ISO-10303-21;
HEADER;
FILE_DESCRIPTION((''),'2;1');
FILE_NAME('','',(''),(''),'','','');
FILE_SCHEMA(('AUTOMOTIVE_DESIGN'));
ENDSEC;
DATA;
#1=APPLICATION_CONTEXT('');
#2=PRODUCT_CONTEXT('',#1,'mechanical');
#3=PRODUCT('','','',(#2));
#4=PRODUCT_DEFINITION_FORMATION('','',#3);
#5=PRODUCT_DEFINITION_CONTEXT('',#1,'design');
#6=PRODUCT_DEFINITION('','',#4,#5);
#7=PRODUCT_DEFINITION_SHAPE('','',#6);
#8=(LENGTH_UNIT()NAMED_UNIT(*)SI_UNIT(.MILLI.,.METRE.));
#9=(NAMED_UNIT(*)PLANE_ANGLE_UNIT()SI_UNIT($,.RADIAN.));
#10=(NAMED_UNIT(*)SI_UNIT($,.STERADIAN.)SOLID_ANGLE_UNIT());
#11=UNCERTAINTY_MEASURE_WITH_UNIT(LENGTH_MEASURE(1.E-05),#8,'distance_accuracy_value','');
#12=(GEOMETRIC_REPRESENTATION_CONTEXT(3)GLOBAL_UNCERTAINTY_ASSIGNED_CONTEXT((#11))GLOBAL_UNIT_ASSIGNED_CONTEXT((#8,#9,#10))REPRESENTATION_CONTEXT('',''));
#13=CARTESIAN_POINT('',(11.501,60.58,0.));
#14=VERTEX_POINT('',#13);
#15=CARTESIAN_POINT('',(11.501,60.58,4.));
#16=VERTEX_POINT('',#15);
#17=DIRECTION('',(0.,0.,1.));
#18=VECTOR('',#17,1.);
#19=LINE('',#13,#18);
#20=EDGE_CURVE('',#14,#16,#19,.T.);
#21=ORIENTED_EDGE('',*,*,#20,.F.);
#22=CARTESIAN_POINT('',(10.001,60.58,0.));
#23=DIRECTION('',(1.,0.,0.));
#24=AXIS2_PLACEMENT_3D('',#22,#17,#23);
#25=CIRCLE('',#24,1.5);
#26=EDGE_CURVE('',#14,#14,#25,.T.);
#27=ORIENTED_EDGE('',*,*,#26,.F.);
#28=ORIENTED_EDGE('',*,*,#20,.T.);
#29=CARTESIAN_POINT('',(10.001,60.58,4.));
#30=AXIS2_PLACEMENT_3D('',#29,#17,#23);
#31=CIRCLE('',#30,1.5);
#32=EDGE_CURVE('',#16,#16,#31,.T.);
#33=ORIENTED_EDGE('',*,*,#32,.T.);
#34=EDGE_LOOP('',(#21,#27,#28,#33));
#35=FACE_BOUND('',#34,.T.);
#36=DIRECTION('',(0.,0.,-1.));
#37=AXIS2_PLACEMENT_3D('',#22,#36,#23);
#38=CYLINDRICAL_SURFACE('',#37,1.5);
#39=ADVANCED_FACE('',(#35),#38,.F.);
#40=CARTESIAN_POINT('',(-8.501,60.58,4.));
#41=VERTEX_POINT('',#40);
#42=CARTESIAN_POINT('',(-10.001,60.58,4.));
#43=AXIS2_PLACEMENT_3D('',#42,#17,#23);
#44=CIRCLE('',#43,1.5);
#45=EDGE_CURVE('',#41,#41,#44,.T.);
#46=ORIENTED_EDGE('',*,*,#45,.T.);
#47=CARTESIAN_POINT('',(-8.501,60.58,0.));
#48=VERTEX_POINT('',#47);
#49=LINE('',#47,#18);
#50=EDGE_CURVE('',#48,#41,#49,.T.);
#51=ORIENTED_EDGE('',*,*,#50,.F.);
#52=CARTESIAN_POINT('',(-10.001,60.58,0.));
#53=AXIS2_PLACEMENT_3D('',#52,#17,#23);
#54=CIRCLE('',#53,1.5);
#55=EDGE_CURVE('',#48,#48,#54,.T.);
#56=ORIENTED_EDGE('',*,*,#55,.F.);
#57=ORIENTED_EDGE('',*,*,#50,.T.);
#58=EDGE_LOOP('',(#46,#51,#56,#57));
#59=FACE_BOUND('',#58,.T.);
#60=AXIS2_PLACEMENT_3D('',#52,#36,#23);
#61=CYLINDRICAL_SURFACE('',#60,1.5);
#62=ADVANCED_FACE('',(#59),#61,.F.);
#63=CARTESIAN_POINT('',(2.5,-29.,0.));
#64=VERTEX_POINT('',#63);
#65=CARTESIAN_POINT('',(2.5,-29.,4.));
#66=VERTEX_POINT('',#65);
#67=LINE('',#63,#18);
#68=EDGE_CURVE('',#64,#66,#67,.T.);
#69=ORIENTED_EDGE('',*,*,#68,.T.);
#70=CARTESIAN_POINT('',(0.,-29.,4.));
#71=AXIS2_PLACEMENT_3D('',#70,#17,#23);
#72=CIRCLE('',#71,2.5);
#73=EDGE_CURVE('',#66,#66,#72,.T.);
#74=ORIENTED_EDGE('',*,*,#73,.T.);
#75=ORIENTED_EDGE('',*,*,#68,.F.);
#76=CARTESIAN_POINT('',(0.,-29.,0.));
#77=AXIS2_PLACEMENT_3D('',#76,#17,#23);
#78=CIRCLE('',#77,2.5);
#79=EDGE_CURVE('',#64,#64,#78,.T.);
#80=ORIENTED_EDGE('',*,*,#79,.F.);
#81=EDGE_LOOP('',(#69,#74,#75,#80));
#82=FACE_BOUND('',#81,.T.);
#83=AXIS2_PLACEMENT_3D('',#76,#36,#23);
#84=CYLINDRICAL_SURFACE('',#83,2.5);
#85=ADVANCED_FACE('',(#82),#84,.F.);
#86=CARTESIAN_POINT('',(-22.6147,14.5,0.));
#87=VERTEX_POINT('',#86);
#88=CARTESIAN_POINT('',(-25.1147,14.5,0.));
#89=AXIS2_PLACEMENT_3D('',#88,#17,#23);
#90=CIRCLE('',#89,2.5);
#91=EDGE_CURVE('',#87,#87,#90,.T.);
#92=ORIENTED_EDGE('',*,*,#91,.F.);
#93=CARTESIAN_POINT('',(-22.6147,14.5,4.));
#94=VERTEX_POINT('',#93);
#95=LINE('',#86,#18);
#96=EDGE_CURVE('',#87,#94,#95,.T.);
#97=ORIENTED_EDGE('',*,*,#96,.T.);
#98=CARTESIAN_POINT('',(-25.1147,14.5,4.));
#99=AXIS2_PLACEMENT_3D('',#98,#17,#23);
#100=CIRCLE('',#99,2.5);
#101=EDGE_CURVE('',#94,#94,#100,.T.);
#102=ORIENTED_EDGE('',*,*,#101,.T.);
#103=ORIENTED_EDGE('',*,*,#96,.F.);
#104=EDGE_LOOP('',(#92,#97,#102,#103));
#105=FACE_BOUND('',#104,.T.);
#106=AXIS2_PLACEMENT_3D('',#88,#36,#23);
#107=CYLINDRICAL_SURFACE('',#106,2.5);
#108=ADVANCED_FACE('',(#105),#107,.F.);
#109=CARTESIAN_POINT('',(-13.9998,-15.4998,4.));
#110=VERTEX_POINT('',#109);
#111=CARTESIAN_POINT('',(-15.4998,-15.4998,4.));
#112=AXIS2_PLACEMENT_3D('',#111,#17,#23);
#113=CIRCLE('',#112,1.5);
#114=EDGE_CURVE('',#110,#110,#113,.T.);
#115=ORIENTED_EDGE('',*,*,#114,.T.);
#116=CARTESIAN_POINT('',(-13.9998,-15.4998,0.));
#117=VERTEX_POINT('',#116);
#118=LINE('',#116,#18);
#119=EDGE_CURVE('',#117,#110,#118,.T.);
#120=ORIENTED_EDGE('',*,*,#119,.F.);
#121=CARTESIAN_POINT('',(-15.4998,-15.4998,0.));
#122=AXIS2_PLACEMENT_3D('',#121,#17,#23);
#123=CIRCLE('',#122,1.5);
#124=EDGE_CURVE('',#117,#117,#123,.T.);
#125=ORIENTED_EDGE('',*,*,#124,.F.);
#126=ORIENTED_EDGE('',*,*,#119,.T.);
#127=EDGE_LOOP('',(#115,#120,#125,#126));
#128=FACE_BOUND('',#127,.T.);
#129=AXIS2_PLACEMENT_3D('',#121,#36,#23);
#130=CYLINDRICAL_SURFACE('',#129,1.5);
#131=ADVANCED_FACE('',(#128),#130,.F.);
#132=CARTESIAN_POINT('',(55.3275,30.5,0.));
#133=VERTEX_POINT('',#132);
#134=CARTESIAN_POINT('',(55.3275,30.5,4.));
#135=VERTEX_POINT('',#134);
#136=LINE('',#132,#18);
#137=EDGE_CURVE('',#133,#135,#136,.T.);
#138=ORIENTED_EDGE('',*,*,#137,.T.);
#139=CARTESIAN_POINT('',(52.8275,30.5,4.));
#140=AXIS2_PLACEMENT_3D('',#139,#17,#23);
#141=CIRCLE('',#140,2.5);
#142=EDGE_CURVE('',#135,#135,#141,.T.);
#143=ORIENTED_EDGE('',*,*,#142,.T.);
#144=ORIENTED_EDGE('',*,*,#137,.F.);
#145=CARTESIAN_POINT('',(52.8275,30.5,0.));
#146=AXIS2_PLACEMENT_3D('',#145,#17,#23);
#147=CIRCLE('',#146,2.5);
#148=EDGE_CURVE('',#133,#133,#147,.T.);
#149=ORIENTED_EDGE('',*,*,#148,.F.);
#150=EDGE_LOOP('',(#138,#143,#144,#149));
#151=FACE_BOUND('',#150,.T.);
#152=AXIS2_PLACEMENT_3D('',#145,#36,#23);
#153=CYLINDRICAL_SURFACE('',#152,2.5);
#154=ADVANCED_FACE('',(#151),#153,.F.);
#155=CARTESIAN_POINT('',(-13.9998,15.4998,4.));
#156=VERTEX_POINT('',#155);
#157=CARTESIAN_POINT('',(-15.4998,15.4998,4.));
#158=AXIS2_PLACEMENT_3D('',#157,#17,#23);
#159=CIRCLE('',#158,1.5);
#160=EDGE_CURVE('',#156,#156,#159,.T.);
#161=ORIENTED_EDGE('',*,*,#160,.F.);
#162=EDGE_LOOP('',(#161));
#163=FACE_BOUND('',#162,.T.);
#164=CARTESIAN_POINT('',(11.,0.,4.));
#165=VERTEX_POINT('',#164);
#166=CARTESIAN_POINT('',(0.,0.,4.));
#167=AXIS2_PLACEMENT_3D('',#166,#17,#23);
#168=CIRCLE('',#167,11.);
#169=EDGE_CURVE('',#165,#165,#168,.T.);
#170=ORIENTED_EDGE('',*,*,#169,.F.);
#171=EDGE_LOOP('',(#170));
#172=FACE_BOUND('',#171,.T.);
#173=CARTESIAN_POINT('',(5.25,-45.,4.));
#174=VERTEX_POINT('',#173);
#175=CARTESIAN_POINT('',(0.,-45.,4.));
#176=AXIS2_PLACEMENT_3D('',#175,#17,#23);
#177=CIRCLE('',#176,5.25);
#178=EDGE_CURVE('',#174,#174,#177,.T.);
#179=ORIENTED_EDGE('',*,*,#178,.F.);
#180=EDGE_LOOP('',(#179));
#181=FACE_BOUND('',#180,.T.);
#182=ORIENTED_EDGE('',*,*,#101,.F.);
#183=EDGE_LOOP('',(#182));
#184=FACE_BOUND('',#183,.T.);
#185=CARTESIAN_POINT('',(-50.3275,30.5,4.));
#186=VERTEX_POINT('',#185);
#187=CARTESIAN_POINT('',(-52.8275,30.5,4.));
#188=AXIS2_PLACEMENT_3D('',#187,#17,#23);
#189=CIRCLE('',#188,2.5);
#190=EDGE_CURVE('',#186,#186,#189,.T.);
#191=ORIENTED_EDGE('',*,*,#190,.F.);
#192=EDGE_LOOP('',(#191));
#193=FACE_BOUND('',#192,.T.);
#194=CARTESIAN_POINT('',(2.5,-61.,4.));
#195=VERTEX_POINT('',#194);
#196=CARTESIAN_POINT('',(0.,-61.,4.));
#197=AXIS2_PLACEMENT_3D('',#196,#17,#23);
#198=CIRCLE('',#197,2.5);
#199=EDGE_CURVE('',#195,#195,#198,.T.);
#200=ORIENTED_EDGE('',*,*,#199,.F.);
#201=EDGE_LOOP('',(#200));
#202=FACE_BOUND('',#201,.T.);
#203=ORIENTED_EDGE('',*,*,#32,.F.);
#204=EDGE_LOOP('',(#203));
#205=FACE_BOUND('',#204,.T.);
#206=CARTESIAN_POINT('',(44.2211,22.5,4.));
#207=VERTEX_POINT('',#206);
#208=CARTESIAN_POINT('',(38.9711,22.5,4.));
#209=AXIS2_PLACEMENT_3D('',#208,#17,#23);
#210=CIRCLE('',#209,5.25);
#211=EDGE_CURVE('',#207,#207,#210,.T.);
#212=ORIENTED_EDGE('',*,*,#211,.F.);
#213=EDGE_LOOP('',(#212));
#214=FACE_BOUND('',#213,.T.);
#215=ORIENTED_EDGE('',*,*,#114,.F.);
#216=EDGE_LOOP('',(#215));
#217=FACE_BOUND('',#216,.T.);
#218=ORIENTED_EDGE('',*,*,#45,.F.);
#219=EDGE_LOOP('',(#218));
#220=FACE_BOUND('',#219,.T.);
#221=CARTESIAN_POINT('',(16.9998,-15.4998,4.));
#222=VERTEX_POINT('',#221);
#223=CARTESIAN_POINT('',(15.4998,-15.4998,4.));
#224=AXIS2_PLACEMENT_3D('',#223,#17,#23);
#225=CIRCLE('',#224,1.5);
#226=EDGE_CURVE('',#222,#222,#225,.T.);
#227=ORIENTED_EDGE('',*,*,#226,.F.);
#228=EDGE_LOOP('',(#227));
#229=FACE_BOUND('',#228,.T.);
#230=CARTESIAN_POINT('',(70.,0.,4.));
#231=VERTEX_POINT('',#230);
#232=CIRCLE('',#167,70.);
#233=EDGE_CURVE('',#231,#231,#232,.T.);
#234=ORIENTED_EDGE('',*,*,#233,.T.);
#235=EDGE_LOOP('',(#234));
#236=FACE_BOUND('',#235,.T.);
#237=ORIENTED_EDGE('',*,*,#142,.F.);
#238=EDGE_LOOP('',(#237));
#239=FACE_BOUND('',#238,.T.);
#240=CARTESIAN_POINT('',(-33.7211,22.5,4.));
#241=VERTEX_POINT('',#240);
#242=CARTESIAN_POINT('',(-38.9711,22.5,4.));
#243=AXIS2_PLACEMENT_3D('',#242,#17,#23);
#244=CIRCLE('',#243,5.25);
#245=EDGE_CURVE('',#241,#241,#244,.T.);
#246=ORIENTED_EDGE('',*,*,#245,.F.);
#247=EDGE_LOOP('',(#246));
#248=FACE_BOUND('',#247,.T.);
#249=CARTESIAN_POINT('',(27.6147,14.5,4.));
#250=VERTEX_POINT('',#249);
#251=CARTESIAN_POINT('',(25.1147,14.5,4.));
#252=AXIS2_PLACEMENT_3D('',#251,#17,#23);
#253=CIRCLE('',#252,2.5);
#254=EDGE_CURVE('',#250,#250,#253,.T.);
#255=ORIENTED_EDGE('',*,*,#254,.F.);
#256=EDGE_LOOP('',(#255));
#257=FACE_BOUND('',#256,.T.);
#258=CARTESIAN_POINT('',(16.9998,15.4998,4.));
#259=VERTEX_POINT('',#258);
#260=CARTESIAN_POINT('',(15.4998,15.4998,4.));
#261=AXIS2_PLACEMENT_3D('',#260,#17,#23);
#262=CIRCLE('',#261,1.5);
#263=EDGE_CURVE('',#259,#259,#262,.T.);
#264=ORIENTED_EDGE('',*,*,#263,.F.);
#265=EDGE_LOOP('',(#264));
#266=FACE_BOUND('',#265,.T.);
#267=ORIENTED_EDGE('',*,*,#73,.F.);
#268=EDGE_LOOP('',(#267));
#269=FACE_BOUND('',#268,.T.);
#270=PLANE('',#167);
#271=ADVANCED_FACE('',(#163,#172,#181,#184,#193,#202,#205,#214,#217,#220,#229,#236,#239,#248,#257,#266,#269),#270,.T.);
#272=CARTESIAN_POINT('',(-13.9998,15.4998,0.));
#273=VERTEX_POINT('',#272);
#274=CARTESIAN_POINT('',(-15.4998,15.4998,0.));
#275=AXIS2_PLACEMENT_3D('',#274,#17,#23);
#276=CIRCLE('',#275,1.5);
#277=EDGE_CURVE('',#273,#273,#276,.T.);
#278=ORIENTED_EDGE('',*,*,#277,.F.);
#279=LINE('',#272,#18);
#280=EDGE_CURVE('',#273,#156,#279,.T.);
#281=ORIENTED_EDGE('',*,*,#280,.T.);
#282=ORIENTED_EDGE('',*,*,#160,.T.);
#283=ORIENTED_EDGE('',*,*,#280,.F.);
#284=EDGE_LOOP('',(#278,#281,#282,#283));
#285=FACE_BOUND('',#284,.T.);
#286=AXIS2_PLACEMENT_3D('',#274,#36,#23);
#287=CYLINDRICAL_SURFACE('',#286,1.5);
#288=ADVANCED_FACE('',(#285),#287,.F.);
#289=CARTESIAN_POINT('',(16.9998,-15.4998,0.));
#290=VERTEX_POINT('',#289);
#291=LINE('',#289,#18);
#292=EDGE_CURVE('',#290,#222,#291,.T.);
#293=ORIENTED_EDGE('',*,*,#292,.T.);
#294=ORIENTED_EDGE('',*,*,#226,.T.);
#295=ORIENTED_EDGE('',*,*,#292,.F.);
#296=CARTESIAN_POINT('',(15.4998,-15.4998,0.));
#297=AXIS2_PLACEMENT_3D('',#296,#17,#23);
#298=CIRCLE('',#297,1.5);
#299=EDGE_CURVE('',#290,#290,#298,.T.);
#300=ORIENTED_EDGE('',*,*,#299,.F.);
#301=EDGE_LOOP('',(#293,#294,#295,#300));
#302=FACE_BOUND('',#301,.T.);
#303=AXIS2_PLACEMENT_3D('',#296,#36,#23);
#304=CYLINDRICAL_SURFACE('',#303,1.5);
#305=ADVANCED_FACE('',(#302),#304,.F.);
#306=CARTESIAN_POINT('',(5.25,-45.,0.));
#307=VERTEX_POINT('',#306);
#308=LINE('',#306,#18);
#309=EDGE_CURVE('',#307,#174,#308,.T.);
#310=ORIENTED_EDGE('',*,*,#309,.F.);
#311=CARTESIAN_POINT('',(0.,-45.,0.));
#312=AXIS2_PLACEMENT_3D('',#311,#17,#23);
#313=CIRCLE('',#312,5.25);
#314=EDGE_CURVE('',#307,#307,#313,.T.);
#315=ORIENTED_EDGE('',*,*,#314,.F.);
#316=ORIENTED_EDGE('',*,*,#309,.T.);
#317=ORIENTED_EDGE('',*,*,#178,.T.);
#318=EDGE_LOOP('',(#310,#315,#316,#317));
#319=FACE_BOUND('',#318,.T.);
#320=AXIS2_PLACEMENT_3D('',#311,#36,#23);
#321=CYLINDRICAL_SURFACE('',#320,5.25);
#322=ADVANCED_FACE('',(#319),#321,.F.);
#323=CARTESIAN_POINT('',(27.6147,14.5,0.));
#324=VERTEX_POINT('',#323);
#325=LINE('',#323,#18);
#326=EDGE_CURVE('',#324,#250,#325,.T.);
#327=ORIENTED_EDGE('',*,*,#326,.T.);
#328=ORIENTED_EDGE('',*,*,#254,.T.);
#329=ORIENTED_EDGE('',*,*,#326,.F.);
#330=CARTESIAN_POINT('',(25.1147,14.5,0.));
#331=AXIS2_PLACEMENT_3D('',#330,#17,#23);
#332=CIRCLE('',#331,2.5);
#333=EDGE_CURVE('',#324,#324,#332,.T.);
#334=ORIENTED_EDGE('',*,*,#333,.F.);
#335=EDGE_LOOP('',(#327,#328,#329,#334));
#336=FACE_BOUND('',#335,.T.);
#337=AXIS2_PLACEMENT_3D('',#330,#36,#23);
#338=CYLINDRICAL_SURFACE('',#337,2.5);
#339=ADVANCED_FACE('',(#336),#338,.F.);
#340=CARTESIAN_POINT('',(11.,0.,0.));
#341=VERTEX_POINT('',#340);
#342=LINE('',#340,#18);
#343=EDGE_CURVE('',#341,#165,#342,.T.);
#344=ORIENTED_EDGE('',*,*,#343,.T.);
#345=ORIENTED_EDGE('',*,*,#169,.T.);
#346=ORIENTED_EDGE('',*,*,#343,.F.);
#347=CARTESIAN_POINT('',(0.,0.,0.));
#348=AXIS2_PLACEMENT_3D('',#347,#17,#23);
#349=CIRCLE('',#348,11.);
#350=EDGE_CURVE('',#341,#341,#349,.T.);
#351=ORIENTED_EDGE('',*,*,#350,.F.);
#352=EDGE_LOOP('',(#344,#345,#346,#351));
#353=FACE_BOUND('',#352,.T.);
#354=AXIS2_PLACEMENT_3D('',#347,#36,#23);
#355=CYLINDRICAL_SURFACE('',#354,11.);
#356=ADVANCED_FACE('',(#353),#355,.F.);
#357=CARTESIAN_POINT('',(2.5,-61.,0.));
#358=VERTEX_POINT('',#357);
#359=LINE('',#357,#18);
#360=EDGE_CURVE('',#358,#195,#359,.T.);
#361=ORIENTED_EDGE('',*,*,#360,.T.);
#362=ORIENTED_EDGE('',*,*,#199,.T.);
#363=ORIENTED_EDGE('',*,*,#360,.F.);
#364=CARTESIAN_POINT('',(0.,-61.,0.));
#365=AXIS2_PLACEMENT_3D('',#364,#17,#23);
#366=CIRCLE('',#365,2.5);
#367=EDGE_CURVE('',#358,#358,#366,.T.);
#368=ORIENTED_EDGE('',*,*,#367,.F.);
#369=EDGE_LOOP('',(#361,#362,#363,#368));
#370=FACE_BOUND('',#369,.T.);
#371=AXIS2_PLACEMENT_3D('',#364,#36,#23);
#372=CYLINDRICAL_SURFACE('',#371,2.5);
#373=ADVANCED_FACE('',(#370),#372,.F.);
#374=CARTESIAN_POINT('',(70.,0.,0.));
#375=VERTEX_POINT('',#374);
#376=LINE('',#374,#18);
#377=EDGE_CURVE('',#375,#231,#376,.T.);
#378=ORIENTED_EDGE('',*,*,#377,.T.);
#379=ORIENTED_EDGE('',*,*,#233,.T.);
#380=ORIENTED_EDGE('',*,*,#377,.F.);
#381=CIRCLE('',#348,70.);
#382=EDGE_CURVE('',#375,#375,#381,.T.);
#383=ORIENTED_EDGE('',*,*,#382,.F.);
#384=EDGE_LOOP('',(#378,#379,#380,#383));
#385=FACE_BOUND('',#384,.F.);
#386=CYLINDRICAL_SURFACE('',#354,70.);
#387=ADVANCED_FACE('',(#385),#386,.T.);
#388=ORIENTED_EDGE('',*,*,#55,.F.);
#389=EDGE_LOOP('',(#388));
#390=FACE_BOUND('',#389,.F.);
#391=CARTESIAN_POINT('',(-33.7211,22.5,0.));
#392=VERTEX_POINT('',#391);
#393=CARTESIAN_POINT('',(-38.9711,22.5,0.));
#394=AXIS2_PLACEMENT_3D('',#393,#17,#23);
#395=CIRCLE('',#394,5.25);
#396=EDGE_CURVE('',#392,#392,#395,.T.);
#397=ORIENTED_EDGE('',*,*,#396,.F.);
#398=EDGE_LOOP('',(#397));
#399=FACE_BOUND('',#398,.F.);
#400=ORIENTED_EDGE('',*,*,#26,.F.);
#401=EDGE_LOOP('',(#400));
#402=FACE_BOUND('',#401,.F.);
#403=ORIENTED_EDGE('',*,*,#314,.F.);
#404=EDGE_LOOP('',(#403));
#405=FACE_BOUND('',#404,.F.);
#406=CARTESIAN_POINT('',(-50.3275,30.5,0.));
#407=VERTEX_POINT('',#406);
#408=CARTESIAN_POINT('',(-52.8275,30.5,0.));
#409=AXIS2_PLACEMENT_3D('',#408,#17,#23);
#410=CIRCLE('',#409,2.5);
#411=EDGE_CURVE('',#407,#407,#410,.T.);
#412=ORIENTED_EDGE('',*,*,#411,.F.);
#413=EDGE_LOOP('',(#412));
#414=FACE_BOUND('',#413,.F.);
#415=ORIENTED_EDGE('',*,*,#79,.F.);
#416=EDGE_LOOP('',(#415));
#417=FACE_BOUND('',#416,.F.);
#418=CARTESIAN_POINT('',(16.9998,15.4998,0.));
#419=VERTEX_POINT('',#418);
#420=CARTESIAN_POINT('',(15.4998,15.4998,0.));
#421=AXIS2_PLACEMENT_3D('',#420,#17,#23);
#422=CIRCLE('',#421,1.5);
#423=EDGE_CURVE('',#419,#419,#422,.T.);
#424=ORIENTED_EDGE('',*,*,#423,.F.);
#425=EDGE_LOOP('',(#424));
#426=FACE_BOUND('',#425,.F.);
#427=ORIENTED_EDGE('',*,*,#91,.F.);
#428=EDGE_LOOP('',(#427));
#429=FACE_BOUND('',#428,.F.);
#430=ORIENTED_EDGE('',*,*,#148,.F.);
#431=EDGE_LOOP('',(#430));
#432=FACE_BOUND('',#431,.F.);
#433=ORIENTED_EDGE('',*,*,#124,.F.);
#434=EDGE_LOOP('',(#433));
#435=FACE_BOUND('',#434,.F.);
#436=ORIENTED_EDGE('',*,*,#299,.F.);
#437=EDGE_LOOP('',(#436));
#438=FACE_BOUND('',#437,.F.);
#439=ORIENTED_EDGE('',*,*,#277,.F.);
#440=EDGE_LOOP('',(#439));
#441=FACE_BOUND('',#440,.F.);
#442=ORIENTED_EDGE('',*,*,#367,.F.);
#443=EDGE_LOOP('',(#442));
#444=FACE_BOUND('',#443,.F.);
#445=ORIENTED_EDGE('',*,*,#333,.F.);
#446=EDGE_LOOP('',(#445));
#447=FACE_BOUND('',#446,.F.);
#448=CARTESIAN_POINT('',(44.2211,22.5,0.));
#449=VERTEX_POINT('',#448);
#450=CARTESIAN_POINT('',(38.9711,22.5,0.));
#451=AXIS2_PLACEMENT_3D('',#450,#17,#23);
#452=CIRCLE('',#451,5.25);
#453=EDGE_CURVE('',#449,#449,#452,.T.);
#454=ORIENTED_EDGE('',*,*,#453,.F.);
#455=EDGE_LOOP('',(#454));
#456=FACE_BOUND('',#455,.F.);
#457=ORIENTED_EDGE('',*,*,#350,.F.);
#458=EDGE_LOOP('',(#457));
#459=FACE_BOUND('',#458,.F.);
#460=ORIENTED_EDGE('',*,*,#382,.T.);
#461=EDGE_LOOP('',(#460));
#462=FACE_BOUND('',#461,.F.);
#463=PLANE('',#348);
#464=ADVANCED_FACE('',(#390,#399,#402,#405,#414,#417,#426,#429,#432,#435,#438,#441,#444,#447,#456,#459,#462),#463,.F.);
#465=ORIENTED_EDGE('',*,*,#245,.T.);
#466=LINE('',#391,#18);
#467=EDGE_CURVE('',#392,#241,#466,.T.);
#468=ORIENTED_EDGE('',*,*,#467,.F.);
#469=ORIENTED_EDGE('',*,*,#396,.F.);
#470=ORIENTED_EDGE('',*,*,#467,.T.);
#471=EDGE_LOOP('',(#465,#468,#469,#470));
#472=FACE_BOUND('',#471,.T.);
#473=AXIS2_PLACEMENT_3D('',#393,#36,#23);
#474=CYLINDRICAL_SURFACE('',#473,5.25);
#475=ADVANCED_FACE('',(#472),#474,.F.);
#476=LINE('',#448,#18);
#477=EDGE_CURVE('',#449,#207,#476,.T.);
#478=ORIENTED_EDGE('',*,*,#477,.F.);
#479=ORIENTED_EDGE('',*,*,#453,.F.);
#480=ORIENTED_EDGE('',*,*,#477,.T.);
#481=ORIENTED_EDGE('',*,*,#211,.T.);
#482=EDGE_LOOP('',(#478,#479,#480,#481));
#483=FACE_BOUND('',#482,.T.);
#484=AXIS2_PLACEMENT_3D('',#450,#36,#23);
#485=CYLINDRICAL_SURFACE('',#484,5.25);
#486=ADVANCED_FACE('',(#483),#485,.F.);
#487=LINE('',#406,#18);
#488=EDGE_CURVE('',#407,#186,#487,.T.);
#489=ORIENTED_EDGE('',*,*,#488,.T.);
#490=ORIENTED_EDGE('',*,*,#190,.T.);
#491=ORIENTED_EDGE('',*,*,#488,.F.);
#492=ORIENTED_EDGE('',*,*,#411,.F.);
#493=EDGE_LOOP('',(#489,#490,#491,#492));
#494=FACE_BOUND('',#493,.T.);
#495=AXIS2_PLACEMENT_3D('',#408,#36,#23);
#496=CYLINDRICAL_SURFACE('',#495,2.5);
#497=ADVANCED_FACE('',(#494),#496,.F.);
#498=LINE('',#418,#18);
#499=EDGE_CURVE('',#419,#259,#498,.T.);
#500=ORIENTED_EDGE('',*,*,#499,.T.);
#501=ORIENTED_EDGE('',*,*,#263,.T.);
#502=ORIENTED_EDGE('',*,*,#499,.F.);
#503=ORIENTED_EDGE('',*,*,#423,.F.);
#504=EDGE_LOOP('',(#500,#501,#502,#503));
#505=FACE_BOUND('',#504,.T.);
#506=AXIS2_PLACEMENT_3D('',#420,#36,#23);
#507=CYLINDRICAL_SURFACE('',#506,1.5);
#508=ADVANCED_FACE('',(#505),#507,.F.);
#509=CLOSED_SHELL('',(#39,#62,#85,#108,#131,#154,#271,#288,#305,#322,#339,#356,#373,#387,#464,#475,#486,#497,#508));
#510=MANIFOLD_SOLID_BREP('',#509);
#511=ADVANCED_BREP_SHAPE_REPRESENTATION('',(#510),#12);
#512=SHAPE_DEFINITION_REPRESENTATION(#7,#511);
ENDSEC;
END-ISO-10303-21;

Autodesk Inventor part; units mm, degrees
ref_plane "YZ Plane" through (0, 0, 0) normal (1, 0, 0) x (0, 1, 0)
ref_plane "XZ Plane" through (0, 0, 0) normal (0, 1, 0) x (-1, 0, 0)
ref_plane "XY Plane" through (0, 0, 0) normal (0, 0, 1) x (1, 0, 0)
sketch "Sketch1" plane through (0, 0, 0) normal (0, 0, 1) x (1, 0, 0)
  circle A0 centre (0, 0) radius 70
  circle A1 centre (0, -45) radius 5.25
  circle A2 centre (0, 0) radius 11
  circle A3 centre (10.001, 60.58) radius 1.5
  circle A4 centre (-10.001, 60.58) radius 1.5
  circle A5 centre (15.4998, 15.4998) radius 1.5
  circle A6 centre (0, -29) radius 2.5
  circle A7 centre (0, -61) radius 2.5
  circle A8 centre (52.8275, 30.5) radius 2.5
  circle A9 centre (38.9711, 22.5) radius 5.25
  circle A10 centre (25.1147, 14.5) radius 2.5
  circle A11 centre (-52.8275, 30.5) radius 2.5
  circle A12 centre (-38.9711, 22.5) radius 5.25
  circle A13 centre (-25.1147, 14.5) radius 2.5
  circle A14 centre (0, 0) radius 21.92 construction
  circle A15 centre (-15.4998, 15.4998) radius 1.5
  circle A16 centre (-15.4998, -15.4998) radius 1.5
  circle A17 centre (15.4998, -15.4998) radius 1.5
  dimension "d53" = 43.84
  dimension "D_B" = 140
  dimension "Furos" = 10.5
  dimension "d11" = 22
  dimension "d24" = 3
  dimension "d25" = 3
  dimension "FN" = 3
  dimension "d31" = 5
  dimension "d32" = 5
  dimension "d34" = 16
  dimension "d35" = 16
  dimension "d36" = 10.001
  dimension "d37" = 10.001
  dimension "d38" = 60.58
  dimension "d39" = 60.58
  dimension "d40" = 45
  dimension "d50" = 360
  dimension "d56" = 360
  dimension "d58" = 15.4998
  dimension "d59" = 15.4998
extrude "Extrusion1" add sketch "Sketch1" along normal blind 4
properties part number "test_topo"
